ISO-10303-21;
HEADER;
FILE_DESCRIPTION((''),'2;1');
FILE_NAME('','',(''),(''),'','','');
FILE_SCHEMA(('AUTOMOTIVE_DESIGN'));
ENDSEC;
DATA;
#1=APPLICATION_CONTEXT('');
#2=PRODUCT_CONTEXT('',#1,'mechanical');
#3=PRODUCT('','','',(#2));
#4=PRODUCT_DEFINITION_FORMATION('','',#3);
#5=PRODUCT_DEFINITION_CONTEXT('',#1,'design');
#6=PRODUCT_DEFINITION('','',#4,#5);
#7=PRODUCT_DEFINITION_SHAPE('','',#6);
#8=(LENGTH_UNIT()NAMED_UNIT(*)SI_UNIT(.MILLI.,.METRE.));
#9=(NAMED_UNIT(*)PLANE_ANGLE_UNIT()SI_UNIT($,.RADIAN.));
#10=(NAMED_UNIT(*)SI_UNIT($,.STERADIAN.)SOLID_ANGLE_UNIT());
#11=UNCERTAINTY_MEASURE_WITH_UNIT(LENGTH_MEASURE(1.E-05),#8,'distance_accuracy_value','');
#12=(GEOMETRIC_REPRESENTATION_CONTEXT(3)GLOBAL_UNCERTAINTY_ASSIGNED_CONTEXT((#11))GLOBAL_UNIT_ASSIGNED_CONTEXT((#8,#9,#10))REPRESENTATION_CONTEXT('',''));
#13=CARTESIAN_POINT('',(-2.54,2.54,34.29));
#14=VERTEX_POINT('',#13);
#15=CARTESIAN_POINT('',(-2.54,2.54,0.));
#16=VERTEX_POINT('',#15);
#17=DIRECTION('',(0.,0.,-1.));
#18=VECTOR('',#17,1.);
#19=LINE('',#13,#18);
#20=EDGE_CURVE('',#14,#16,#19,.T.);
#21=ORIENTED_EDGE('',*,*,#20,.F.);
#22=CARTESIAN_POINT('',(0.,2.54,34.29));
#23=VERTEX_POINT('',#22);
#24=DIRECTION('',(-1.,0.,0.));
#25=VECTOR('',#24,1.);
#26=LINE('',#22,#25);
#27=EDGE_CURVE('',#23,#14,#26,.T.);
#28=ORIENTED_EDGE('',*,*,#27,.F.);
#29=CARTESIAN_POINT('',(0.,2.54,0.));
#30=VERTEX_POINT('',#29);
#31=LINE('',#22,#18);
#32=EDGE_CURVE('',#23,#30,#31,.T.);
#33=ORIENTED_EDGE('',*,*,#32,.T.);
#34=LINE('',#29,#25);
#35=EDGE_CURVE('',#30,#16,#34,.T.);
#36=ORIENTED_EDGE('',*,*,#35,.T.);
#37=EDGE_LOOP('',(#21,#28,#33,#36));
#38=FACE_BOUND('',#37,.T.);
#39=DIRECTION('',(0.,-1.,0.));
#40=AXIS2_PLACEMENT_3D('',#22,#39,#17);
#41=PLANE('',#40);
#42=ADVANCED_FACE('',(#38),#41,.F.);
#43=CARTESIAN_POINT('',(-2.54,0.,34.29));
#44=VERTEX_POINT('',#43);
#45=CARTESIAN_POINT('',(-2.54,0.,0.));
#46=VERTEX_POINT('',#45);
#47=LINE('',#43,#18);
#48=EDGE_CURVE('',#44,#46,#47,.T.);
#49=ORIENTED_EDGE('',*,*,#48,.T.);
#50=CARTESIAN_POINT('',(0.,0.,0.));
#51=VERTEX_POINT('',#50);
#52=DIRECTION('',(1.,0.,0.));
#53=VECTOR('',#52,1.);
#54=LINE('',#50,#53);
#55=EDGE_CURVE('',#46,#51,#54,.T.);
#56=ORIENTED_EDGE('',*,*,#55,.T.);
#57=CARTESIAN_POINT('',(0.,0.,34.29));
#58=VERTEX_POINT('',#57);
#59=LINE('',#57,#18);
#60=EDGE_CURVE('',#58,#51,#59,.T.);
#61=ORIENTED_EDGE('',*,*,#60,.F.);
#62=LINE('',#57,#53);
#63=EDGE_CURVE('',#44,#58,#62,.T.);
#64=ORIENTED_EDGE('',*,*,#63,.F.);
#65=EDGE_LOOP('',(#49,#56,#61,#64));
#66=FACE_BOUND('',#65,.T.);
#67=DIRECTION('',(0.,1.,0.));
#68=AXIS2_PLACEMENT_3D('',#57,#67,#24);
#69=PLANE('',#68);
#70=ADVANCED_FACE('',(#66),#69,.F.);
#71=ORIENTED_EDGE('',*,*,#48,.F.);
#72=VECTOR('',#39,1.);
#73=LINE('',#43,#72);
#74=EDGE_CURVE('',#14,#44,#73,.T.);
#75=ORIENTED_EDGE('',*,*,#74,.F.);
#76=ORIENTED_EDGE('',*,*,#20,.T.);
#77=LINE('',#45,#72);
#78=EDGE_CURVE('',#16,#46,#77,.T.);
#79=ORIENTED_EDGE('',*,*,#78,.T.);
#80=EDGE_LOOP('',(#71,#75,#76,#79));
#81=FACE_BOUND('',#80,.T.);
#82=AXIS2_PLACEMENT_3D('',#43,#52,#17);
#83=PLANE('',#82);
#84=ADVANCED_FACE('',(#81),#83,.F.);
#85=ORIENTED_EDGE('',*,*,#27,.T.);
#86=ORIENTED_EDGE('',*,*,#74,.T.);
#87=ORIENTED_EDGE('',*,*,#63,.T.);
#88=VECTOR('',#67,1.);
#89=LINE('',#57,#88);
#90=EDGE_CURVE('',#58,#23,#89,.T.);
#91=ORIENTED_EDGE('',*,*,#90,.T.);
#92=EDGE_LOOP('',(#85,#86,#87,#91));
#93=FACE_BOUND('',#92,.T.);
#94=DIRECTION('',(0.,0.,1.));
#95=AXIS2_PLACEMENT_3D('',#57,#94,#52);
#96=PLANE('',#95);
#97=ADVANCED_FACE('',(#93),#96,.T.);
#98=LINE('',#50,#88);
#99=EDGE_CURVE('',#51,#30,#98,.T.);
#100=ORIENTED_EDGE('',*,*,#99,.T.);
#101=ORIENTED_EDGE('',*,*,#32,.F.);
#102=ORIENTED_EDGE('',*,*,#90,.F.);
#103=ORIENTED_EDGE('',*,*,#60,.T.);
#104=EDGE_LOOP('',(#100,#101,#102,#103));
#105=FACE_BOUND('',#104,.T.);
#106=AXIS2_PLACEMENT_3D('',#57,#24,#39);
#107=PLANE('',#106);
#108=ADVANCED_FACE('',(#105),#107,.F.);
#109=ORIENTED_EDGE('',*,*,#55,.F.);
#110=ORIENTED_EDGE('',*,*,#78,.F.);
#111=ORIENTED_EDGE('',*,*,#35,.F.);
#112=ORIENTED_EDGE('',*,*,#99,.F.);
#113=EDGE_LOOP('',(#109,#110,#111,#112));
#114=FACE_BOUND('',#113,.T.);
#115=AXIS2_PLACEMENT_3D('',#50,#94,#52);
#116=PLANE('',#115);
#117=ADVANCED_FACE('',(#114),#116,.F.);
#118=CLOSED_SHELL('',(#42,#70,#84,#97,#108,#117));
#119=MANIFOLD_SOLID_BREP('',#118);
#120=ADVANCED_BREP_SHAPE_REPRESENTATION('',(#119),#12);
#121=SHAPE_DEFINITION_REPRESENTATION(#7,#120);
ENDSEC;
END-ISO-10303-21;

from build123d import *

# Parameters (mm, degrees)
SKETCH1_W           = 2.54
SKETCH1_H           = 2.54
BOSS_EXTRUDE1_DEPTH = 34.29


with BuildPart() as part:
    # Sketch1 → Boss-Extrude1 (new body)
    with BuildSketch(Plane.XY):
        with Locations((-1.27, 1.27)):
            Rectangle(SKETCH1_W, SKETCH1_H)
    extrude(amount=BOSS_EXTRUDE1_DEPTH)


solid = part.part
